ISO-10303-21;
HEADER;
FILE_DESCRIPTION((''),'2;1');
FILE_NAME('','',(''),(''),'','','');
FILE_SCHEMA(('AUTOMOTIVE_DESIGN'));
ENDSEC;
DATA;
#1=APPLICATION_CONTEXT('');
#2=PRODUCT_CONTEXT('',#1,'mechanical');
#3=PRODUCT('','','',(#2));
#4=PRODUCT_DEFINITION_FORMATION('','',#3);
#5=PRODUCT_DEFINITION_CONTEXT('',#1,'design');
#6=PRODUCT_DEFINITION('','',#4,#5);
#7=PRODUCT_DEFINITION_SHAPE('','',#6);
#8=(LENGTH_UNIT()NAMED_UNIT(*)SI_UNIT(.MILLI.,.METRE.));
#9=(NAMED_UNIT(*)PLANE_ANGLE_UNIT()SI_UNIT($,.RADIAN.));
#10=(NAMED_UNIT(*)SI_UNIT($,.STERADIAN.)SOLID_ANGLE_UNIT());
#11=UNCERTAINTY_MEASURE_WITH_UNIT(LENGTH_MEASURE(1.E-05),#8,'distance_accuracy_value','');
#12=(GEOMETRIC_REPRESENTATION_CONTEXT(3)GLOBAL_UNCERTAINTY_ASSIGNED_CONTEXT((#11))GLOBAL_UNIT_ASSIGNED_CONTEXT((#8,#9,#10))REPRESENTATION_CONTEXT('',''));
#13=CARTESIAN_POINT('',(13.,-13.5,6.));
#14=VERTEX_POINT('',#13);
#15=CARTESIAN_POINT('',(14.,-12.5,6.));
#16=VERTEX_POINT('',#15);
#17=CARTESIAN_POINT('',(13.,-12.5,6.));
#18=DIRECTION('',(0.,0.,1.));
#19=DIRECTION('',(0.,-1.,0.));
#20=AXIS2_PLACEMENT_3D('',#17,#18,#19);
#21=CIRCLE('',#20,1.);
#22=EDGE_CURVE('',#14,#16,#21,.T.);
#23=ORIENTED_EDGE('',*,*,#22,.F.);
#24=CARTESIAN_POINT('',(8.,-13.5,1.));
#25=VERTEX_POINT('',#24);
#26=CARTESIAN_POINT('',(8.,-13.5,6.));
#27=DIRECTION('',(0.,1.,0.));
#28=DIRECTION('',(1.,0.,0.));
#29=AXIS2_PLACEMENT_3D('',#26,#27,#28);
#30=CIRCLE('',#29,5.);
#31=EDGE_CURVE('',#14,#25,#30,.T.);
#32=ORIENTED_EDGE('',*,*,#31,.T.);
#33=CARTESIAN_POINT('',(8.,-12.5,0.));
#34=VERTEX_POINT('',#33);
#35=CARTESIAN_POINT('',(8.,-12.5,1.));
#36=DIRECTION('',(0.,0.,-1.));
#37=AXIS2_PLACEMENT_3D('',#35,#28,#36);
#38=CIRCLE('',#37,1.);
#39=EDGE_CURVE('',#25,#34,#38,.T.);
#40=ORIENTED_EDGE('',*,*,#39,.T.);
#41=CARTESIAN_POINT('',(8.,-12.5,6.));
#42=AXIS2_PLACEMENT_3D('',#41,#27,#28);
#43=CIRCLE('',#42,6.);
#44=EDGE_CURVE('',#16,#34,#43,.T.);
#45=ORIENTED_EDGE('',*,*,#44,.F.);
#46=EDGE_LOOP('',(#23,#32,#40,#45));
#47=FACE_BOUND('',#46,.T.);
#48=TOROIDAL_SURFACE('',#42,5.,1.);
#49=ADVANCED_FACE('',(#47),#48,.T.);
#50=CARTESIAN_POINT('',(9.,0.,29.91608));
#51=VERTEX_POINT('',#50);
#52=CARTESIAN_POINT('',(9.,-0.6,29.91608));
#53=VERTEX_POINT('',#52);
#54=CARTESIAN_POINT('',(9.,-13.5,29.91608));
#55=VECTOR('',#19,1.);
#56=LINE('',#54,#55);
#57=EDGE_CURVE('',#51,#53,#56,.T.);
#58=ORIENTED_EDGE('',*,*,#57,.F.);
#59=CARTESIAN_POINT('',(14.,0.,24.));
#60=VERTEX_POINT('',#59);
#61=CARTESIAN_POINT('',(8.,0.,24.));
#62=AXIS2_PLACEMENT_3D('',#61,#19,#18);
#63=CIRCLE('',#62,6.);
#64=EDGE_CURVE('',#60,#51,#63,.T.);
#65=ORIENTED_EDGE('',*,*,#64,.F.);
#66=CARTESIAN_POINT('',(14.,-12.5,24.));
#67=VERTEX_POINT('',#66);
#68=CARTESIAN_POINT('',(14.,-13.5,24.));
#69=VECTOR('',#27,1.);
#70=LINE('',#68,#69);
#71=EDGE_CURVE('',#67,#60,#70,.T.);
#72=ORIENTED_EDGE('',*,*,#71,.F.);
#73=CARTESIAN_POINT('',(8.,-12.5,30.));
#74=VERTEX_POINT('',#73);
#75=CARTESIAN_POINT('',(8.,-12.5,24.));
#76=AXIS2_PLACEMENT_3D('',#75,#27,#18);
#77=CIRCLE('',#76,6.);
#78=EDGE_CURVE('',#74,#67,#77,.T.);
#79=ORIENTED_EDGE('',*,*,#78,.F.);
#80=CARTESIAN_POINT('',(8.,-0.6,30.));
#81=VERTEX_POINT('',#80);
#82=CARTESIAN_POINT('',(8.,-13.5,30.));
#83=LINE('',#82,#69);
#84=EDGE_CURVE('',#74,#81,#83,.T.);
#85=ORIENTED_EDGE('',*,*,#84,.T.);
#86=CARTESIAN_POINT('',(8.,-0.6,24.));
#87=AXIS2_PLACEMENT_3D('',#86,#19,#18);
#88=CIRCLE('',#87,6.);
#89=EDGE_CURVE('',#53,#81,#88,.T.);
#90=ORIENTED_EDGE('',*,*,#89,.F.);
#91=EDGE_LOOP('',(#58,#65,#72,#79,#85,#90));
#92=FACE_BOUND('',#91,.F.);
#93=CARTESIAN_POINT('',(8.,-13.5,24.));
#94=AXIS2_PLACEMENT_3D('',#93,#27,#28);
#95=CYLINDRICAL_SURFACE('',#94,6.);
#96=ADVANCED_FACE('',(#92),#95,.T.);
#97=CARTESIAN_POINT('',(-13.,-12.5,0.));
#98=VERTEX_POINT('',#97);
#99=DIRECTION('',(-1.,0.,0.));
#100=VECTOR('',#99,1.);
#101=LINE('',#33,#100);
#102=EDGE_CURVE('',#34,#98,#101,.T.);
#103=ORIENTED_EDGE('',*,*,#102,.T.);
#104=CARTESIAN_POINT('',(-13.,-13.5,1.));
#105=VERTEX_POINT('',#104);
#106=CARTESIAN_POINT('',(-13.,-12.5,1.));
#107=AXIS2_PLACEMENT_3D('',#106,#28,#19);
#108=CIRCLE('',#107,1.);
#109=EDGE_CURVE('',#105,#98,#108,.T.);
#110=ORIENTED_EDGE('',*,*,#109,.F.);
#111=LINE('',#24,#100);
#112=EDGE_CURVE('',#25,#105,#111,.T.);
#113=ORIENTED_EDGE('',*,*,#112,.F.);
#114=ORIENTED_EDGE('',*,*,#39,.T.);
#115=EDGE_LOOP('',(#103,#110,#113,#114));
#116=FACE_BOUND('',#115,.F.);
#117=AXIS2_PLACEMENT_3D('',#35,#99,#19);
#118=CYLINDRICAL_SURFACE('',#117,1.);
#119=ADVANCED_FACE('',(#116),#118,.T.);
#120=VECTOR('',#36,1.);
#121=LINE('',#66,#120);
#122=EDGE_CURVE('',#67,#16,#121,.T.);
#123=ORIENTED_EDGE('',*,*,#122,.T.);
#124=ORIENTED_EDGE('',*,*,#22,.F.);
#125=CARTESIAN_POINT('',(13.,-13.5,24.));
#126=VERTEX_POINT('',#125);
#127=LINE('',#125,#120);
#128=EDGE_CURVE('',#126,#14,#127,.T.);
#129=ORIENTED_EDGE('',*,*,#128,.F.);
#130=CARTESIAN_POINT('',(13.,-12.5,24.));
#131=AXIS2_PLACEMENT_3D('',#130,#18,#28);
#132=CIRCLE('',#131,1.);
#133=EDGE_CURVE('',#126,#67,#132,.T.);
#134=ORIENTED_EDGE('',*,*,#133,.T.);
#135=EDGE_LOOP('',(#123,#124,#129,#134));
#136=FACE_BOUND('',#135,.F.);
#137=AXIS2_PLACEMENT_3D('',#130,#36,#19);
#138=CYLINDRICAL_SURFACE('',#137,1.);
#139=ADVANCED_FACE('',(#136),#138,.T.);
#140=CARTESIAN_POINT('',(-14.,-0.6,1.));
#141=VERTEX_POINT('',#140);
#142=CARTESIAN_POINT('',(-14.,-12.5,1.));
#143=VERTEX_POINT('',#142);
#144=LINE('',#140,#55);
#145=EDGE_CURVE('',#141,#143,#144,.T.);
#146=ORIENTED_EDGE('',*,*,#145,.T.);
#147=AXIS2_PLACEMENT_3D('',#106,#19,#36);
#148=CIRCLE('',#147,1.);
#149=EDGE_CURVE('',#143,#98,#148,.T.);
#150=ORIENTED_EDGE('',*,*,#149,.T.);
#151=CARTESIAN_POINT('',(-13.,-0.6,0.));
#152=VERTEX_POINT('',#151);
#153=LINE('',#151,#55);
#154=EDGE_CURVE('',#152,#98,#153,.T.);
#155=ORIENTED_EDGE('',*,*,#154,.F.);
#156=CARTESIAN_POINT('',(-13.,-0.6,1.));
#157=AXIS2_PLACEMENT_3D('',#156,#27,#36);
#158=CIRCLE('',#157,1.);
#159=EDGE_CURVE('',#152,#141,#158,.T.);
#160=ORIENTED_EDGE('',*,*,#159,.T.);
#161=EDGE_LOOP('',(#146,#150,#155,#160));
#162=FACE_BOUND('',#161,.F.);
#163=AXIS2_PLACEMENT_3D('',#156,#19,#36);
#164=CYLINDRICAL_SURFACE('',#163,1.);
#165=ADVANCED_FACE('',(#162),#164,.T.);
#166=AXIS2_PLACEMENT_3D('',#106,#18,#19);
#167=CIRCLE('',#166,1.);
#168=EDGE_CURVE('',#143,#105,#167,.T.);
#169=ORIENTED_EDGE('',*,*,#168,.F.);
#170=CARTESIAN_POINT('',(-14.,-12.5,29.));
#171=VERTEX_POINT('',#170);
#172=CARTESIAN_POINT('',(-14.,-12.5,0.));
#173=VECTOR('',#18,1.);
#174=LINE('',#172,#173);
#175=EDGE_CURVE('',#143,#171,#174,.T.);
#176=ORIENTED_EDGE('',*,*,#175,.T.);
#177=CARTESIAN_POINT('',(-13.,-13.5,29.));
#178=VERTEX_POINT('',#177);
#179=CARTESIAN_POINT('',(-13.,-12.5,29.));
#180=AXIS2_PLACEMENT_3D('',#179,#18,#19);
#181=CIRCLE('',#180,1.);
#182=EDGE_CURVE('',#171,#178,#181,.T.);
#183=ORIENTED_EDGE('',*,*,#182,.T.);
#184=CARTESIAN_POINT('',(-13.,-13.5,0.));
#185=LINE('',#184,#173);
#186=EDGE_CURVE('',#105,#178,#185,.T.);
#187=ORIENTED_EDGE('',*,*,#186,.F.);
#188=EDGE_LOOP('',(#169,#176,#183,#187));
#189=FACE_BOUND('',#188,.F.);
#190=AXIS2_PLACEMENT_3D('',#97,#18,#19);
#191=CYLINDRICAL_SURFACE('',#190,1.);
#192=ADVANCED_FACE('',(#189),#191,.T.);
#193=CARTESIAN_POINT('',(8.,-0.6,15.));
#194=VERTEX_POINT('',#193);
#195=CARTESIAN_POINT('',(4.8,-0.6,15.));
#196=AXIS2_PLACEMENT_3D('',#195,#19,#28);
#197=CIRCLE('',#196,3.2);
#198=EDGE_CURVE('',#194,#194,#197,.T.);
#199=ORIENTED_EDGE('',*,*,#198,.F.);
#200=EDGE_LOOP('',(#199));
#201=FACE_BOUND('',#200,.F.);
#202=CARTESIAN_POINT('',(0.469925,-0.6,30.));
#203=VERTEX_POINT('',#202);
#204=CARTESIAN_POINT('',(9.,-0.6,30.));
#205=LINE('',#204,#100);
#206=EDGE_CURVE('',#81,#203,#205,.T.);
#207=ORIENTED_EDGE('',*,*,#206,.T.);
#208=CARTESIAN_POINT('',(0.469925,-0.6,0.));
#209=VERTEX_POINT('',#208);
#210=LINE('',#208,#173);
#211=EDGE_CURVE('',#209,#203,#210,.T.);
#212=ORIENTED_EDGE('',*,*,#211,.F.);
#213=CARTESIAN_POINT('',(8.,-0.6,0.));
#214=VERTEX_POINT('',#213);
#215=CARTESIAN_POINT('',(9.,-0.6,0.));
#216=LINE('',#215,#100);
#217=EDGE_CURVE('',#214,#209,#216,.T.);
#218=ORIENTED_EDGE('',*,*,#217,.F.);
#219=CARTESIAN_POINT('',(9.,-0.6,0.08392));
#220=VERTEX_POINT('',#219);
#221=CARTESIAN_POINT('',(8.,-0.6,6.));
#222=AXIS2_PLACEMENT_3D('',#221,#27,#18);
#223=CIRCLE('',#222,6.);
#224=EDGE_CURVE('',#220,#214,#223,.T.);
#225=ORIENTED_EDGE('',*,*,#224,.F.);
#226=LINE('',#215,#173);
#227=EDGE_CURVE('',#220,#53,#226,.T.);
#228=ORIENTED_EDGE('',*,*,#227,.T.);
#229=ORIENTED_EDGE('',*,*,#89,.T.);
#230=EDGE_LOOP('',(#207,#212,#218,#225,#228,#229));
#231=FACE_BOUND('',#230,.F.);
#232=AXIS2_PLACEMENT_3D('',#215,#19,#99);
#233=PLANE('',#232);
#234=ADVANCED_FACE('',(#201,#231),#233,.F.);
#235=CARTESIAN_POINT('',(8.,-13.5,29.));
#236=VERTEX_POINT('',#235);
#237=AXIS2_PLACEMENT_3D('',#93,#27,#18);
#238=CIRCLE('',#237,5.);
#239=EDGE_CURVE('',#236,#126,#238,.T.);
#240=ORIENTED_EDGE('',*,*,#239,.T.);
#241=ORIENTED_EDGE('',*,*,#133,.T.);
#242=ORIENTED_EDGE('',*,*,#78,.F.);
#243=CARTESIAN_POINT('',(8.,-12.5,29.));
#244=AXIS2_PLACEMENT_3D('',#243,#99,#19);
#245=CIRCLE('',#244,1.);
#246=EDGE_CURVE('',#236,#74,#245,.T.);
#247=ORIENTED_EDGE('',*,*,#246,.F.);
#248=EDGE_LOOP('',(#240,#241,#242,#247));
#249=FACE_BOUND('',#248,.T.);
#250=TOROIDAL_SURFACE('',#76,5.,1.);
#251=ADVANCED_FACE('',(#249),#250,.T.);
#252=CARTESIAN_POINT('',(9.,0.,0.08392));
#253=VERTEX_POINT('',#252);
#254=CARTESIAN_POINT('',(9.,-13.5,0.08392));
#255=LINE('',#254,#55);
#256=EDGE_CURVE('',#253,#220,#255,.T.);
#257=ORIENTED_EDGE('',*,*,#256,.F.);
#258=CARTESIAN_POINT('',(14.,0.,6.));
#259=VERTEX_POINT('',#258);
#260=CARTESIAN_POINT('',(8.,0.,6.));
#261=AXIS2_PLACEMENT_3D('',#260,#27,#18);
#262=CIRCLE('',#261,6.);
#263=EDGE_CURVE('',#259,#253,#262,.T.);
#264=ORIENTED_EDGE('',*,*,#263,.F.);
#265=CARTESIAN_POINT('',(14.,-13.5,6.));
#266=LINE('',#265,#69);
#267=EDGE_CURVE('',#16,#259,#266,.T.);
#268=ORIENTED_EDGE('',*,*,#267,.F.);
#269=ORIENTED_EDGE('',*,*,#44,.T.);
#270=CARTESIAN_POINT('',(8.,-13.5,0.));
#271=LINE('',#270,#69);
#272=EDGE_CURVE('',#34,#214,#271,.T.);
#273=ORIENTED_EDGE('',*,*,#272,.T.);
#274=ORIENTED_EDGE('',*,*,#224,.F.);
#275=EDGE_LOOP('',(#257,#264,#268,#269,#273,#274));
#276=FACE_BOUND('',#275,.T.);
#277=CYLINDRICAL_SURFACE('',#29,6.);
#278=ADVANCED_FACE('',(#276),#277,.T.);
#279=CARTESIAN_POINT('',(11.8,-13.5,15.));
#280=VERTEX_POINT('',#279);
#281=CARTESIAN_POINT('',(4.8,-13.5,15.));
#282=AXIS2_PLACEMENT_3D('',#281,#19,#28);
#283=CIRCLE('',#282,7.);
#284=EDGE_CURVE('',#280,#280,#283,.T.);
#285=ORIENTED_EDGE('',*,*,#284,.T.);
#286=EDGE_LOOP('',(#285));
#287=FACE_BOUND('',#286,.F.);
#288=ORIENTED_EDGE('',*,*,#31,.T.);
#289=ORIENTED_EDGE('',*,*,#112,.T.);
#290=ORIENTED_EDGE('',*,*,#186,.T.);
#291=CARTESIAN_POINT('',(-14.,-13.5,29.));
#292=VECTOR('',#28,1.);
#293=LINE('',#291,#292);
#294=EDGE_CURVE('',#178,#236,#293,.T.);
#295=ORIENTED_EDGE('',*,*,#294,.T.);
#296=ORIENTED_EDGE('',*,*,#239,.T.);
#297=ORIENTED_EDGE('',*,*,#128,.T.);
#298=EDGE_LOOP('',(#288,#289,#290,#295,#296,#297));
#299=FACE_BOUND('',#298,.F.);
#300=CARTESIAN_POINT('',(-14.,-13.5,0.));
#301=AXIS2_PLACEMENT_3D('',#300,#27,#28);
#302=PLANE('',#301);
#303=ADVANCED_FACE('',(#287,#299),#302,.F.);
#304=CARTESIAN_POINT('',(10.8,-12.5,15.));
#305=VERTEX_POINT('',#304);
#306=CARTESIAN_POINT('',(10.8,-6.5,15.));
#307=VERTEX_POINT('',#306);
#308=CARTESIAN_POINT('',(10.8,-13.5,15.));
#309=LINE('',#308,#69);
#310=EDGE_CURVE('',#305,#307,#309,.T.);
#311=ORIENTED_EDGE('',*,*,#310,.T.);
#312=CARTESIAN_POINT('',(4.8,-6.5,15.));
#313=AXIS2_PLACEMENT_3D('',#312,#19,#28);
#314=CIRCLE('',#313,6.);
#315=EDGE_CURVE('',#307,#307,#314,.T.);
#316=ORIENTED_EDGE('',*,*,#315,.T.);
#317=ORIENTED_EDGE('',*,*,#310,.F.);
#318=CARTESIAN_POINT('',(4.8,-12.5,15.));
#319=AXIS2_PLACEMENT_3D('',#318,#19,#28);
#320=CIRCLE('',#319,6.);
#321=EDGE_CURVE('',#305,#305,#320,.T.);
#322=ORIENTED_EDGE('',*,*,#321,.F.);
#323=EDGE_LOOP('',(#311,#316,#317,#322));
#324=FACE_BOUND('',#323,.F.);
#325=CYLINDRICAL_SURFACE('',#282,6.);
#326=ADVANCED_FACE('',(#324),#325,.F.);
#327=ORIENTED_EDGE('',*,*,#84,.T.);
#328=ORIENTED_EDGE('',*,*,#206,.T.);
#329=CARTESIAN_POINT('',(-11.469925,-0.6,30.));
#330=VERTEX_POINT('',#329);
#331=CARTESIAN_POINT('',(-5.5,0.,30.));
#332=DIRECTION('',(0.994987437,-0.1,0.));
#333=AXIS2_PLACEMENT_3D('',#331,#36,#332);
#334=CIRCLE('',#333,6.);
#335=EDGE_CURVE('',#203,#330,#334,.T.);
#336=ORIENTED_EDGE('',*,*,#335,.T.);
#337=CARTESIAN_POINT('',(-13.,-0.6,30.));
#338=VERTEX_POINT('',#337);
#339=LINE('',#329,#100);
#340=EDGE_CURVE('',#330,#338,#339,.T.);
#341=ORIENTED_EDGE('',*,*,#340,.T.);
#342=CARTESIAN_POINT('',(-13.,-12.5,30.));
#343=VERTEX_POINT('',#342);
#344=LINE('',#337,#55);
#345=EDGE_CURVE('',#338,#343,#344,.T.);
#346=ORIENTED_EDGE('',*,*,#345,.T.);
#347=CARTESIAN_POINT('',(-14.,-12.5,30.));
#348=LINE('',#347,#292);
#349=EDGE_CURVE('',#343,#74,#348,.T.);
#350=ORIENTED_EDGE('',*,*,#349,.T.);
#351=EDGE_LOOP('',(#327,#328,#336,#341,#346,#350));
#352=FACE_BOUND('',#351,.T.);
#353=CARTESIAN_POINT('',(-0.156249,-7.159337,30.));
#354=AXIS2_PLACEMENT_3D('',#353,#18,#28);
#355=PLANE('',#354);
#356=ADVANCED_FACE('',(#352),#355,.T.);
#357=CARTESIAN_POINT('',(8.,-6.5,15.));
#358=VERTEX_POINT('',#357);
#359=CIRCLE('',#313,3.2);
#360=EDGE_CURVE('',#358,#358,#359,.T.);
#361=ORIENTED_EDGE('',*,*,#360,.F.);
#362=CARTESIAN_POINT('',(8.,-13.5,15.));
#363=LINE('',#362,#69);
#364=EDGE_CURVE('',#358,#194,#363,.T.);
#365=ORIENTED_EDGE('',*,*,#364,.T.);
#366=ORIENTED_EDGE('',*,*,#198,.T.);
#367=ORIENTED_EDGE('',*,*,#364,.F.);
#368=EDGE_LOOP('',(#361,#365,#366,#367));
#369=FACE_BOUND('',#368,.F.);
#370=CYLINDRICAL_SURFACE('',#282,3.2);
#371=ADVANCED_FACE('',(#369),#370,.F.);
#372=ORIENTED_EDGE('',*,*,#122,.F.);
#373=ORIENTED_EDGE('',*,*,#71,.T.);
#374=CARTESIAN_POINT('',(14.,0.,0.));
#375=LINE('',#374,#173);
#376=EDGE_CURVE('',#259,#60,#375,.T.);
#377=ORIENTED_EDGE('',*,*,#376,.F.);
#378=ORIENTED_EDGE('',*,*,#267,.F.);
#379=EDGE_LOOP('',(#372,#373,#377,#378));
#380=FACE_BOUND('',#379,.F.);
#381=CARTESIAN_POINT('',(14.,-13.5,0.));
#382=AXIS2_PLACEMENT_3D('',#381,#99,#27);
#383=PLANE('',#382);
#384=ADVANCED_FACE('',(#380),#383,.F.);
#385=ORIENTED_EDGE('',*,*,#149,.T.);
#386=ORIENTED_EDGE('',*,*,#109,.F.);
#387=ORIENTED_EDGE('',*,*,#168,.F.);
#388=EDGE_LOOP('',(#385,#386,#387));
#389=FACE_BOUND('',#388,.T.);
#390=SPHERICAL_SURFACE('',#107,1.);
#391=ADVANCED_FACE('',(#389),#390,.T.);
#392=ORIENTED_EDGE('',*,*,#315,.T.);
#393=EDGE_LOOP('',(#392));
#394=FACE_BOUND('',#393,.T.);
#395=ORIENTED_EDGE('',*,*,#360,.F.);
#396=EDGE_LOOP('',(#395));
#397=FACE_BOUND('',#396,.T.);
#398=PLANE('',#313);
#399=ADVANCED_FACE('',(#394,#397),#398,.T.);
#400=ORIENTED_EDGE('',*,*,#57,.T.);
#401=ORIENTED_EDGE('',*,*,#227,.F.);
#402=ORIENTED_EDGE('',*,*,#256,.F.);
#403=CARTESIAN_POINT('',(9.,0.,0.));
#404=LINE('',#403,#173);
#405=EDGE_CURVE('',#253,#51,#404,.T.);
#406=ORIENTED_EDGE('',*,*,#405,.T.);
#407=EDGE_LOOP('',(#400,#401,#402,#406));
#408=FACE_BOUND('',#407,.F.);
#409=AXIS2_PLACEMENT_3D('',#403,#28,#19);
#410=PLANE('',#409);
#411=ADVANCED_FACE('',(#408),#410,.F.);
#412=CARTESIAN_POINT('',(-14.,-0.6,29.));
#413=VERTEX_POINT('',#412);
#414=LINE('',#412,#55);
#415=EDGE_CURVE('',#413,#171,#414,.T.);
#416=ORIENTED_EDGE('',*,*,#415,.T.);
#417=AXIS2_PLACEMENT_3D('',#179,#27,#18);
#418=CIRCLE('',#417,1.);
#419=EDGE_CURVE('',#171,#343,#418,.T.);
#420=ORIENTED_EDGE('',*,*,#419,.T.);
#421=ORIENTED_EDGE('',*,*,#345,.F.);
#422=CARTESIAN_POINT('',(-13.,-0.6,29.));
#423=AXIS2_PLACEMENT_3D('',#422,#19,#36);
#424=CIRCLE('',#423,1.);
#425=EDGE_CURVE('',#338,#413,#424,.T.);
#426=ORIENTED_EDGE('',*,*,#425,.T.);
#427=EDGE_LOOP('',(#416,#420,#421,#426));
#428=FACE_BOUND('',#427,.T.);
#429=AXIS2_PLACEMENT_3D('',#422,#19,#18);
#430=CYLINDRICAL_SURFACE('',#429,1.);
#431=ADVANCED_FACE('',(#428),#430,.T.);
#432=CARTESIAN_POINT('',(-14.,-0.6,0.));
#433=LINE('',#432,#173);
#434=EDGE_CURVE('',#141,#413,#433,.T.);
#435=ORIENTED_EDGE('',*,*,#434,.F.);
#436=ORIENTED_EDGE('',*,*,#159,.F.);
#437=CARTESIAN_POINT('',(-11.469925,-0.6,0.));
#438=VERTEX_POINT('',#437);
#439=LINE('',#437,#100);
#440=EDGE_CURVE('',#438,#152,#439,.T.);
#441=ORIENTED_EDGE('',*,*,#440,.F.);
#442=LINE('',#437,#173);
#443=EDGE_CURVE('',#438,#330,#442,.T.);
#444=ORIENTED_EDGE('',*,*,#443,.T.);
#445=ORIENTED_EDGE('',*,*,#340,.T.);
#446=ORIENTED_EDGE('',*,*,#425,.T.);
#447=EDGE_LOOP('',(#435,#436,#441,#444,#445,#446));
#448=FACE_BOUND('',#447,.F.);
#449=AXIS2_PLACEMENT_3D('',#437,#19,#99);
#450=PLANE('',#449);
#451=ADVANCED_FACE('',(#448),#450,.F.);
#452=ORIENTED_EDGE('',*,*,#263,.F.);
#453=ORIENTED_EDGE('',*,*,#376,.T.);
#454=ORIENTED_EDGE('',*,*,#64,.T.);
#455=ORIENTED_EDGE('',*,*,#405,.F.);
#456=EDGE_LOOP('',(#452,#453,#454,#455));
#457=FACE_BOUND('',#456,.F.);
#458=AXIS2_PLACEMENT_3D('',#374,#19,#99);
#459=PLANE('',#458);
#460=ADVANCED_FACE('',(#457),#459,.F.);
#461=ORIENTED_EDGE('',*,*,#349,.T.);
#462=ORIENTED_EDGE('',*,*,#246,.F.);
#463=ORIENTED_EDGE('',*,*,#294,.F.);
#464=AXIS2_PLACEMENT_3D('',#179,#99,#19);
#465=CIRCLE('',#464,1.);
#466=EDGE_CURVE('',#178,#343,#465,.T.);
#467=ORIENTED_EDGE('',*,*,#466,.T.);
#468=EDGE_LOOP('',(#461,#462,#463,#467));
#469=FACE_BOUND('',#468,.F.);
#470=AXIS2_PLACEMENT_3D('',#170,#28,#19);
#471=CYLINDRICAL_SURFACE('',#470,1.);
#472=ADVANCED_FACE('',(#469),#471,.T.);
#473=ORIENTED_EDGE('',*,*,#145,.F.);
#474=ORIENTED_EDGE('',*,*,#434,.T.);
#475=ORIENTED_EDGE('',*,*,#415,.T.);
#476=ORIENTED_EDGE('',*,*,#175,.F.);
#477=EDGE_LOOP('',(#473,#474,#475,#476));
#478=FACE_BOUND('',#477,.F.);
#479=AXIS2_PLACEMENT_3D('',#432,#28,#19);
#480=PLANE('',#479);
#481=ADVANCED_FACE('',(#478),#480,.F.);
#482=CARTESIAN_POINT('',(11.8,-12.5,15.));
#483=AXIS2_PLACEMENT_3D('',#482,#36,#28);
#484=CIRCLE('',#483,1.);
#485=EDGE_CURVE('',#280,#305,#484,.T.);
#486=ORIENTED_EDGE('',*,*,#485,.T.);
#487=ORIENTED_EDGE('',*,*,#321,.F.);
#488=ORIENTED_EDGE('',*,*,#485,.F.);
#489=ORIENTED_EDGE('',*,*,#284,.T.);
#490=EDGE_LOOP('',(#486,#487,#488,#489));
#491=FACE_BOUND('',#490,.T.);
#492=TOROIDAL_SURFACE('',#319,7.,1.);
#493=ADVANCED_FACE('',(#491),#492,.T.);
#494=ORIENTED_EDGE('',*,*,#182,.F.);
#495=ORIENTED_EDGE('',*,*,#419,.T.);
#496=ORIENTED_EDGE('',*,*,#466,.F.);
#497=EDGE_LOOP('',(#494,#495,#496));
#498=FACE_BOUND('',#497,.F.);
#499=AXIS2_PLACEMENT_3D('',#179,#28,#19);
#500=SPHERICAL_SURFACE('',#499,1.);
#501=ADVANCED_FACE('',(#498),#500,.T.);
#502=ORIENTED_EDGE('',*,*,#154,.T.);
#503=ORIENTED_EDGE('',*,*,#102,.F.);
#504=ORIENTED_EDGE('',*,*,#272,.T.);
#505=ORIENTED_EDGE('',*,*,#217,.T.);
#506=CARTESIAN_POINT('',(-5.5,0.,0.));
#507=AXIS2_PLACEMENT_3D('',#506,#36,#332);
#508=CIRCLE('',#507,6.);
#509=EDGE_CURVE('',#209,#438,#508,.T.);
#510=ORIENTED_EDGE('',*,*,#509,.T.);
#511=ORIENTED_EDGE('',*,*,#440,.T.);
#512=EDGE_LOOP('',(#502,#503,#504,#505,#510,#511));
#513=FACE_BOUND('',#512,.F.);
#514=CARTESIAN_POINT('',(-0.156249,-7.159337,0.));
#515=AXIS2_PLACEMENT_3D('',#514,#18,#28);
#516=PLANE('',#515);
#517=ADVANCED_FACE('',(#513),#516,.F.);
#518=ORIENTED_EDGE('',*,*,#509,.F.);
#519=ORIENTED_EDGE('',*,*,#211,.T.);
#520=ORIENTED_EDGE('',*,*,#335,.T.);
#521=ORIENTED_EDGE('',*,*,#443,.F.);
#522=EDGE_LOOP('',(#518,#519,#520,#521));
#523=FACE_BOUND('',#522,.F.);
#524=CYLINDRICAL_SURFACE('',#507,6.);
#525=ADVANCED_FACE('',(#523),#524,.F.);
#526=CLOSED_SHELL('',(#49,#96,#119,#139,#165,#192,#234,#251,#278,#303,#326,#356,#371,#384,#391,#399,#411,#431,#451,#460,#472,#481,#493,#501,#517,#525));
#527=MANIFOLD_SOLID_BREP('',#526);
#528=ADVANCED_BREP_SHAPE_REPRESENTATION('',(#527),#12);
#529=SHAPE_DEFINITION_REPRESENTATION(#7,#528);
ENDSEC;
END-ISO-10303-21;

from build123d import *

# Parameters (mm, degrees)
F1_DEPTH = 30
F2_R     = 6
F2_R_2   = 3.2
F3_DEPTH = 7
F4_DEPTH = 25
F5_R     = 6
F6_R     = 1


with BuildPart() as f1:
    # F0 (on Top) → F1 (new body)
    with BuildSketch(Plane.XY):
        with BuildLine():
            Line((14, 0), (9, 0))
            Line((9, 0), (9, -0.6))
            Line((9, -0.6), (0.4699246226, -0.6))
            ThreePointArc((0.4699246226, -0.6), (-5.5, -6), (-11.4699246226, -0.6))
            Line((-11.4699246226, -0.6), (-14, -0.6))
            Line((-14, -0.6), (-14, -13.5))
            Line((-14, -13.5), (14, -13.5))
            Line((14, -13.5), (14, 0))
        make_face()
    extrude(amount=F1_DEPTH)

    # F2 (on face) → F3 (cut)
    with BuildSketch(Plane.XZ.offset(13.5)):
        with Locations((4.8, 15)):
            Circle(F2_R)
        with Locations((4.8, 15)):
            Circle(F2_R_2, mode=Mode.SUBTRACT)
    extrude(amount=-F3_DEPTH, mode=Mode.SUBTRACT)

    # F4 (cut): a face of the model
    f4_faces = [f1.faces().sort_by_distance(p)[0] for p in [
        (4.8, -13.5, 15),
    ]]
    extrude(f4_faces, amount=-F4_DEPTH, mode=Mode.SUBTRACT)

    # F5
    f5_edges = [f1.edges().sort_by_distance(p)[0] for p in [
        (14, -6.75, 0),
        (14, -6.75, 30),
    ]]
    fillet(f5_edges, radius=F5_R)

    # F6
    f6_edges = [f1.edges().sort_by_distance(p)[0] for p in [
        (-3, -13.5, 30),
        (-14, -13.5, 15),
        (-14, -7.05, 30),
        (-14, -7.05, 0),
        (-1.2, -13.5, 15),
    ]]
    fillet(f6_edges, radius=F6_R)


solid = f1.part
